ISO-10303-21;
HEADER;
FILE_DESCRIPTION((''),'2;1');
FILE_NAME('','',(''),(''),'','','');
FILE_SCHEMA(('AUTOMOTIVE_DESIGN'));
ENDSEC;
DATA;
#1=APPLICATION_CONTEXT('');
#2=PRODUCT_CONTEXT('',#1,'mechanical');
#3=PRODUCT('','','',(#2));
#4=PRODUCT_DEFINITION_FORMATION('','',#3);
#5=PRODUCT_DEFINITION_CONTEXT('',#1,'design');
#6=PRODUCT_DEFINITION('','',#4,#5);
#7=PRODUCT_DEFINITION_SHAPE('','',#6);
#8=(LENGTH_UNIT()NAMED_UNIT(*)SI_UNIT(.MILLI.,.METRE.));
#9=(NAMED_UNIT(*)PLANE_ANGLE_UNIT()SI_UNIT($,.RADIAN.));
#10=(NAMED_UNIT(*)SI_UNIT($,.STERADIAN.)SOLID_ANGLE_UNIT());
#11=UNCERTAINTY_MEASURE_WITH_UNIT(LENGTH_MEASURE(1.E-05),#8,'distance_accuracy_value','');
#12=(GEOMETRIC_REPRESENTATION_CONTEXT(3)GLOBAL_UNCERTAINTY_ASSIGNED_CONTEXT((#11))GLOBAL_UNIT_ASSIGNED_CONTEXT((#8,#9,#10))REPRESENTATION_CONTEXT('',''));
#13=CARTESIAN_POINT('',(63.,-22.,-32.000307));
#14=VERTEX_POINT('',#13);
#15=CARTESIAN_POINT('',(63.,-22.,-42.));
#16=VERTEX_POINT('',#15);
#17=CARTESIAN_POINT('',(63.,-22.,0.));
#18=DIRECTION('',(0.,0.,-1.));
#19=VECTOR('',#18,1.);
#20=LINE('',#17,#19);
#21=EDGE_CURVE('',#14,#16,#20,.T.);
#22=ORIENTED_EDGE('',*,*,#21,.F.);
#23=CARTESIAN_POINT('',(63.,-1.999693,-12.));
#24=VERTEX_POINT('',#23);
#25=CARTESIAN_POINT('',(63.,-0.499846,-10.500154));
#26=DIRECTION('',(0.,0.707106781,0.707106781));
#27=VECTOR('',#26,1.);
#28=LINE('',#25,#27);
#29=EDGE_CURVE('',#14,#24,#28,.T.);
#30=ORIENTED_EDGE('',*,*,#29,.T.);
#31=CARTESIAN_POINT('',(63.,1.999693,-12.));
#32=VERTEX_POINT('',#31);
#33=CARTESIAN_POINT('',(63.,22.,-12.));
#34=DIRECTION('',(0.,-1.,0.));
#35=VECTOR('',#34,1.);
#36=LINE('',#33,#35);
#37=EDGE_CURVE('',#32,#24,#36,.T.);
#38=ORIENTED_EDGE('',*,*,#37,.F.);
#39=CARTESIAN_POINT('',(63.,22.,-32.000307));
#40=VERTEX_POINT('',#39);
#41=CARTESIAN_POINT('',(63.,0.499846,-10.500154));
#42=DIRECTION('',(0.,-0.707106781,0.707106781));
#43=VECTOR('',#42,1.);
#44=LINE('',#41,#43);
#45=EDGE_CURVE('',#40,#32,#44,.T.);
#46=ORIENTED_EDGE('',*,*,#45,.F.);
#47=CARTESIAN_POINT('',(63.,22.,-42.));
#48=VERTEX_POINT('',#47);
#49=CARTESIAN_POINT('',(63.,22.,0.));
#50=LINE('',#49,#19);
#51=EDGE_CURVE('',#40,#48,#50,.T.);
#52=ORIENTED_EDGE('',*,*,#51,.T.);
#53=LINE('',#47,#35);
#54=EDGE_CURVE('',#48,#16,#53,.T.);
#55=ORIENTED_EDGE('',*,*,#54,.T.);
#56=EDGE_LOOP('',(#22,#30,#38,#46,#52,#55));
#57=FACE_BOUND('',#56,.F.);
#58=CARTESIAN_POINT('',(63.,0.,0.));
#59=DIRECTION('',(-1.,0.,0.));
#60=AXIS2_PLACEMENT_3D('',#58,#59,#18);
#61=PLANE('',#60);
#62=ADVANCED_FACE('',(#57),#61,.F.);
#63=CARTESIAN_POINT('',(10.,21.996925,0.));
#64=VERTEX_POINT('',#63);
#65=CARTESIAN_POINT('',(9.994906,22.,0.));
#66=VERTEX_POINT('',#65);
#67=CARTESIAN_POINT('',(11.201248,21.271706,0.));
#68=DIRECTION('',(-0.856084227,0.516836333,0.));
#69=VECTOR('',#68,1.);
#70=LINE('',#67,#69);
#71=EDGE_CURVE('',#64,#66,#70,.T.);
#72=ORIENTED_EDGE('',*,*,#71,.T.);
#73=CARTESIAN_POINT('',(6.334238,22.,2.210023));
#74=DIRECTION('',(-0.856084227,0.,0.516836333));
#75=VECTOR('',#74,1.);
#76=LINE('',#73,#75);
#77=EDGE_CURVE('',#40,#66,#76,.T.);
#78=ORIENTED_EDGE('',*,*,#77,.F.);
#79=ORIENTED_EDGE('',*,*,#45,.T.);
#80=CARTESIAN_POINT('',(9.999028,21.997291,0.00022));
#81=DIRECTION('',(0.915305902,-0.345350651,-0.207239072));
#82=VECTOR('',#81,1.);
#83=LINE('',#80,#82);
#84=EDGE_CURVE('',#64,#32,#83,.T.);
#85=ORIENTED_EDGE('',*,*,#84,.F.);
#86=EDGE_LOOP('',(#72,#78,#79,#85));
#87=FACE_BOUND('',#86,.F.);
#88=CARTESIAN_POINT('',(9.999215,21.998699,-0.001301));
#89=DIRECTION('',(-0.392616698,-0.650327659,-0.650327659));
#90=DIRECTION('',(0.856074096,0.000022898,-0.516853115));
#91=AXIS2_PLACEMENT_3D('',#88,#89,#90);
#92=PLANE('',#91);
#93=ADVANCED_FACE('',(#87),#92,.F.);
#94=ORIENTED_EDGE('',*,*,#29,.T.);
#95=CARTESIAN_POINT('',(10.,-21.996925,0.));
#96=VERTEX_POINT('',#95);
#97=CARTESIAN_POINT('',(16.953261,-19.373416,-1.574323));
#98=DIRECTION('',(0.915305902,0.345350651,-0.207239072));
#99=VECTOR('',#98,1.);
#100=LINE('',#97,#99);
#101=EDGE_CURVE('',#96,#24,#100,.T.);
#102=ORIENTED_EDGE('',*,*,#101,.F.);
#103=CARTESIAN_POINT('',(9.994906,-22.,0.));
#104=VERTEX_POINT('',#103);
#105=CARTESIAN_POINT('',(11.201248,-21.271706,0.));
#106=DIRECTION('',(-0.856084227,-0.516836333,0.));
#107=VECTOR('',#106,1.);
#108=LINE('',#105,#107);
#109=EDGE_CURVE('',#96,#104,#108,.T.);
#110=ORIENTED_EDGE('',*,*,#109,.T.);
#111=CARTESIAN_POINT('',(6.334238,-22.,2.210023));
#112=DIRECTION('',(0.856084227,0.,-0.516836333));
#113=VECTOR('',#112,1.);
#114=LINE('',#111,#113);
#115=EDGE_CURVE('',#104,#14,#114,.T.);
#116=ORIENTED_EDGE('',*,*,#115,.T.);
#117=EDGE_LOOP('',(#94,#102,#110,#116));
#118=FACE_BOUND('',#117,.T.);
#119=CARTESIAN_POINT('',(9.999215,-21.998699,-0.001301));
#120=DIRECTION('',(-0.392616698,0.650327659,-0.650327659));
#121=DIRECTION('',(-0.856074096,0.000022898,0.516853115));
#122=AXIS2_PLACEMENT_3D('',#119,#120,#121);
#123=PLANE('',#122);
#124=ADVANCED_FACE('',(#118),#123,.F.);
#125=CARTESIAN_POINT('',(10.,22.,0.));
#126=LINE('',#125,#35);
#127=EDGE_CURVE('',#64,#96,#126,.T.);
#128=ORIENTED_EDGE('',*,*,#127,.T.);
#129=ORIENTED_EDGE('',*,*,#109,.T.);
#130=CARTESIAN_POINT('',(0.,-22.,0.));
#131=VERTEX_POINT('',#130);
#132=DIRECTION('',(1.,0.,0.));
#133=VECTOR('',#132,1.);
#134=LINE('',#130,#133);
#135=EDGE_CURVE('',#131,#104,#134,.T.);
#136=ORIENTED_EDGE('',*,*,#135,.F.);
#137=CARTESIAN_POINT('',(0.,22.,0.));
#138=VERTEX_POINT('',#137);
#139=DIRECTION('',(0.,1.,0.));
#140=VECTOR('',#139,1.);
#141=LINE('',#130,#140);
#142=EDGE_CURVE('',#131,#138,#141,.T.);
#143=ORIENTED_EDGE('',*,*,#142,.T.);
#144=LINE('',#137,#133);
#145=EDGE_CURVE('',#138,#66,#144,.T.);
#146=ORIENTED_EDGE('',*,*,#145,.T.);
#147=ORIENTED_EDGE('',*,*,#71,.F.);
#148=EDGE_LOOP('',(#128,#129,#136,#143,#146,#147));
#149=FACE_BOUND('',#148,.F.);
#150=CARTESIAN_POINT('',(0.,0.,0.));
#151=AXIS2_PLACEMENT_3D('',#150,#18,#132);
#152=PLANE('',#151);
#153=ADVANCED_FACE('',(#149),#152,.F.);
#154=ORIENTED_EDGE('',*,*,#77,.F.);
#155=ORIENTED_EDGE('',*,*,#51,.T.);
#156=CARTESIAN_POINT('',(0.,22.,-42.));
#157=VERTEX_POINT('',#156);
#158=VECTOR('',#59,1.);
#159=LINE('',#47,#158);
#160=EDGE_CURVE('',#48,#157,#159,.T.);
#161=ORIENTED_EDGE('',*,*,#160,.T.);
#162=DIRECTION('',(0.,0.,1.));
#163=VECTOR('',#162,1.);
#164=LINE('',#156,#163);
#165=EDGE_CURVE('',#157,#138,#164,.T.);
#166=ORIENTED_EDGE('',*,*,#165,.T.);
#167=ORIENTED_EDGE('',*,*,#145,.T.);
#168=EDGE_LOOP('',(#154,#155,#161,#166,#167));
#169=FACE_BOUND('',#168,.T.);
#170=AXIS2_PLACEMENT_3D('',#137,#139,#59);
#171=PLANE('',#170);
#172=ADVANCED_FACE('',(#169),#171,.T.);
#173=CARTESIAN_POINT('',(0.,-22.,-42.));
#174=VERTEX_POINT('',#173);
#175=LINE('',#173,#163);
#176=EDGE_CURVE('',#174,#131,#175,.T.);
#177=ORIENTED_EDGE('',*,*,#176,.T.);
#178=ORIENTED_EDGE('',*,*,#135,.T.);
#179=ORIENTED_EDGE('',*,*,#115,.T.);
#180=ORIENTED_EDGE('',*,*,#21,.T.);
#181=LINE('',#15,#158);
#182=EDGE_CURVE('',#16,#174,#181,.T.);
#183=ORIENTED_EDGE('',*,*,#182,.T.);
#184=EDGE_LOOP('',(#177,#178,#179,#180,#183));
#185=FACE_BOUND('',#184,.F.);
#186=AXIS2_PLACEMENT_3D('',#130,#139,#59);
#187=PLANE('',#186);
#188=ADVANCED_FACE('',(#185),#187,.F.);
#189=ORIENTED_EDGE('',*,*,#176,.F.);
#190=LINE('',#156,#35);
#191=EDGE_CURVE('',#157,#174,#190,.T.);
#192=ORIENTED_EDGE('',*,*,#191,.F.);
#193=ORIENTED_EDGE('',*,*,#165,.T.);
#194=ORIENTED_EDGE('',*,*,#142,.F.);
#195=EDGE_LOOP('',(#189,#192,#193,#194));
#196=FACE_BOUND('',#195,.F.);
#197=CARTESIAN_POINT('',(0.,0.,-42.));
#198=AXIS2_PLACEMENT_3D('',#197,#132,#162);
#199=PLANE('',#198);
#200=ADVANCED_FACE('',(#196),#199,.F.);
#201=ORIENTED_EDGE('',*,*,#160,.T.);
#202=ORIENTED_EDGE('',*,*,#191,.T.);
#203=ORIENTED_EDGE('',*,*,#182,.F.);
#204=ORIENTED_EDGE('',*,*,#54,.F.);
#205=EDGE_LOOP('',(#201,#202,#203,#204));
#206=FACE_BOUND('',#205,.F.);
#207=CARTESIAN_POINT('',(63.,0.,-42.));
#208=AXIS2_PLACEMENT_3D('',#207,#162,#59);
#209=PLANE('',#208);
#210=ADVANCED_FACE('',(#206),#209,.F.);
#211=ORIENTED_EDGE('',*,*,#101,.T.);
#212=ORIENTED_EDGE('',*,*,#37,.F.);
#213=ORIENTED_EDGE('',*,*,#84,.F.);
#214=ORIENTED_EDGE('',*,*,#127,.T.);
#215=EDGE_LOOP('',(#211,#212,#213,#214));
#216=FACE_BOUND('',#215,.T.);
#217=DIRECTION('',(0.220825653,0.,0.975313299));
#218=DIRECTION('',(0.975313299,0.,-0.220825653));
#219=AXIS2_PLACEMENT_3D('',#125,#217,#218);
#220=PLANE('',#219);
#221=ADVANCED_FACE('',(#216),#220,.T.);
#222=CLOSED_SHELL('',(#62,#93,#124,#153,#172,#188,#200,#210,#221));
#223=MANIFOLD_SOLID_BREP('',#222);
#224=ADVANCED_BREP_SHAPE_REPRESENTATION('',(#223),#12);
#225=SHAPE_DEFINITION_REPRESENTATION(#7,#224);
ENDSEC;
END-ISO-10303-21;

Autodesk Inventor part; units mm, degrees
ref_plane "YZ Plane" through (0, 0, 0) normal (1, 0, 0) x (0, 1, 0)
ref_plane "XZ Plane" through (0, 0, 0) normal (0, 1, 0) x (-1, 0, 0)
sketch "草圖1" plane through (0, 0, 0) normal (0, 1, 0) x (-1, 0, 0)
  line L0 (0, 0) -> (-63, 0)
  line L1 (-63, 0) -> (-63, -42)
  line L2 (-63, -42) -> (0, -42)
  line L3 (0, -42) -> (0, 0)
  dimension "d0" = 63
  dimension "d1" = 42
extrude "擠出1" add sketch "草圖1" along normal mid plane 44
sketch "草圖2" plane through (0, 22, 0) normal (0, 1, 0) x (1, 0, 0)
  line L0 (0, 0) -> (63, 0) projected
  line L1 (10, 0) -> (63, 12)
  line L2 (63, 0) -> (63, 42) projected
  dimension "d4" = 10
  dimension "d5" = 30
extrude "擠出2" cut sketch "草圖2" against normal blind 60
sketch "草圖3" plane through (63, -22, -42) normal (1, 0, 0) x (0, 0, -1)
  line L0 (-30, 24) -> (-10, 44)
  line L1 (0, 44) -> (-42, 44) projected
  line L2 (-30, 44) -> (-30, 0) projected
  point P0 (-42, 22)
  point P1 (-30, 2)
  dimension "d8" = 20
  dimension "d9" = 20
ref_plane "工作平面1" through (10, 22, 0) normal (-0.3926, -0.6503, -0.6503) x (0.8561, 0, -0.5169)
sketch "草圖4" plane through (10, 22, 0) normal (-0.3926, -0.6503, -0.6503) x (0.8561, 0, -0.5169)
  line L0 (-15.1543, -12.3218) -> (93.717, -12.3218)
  line L1 (93.717, -12.3218) -> (93.717, 28.8166)
  line L2 (93.717, 28.8166) -> (-15.1543, 28.8166)
  line L3 (-15.1543, 28.8166) -> (-15.1543, -12.3218)
  point P0 (-8.5606, 13.3512)
extrude "擠出3" cut sketch "草圖4" against normal blind 40
mirror "鏡射1" about plane through (0, 0, 0) normal (0, 1, 0) of "擠出3"
properties part number "59"
